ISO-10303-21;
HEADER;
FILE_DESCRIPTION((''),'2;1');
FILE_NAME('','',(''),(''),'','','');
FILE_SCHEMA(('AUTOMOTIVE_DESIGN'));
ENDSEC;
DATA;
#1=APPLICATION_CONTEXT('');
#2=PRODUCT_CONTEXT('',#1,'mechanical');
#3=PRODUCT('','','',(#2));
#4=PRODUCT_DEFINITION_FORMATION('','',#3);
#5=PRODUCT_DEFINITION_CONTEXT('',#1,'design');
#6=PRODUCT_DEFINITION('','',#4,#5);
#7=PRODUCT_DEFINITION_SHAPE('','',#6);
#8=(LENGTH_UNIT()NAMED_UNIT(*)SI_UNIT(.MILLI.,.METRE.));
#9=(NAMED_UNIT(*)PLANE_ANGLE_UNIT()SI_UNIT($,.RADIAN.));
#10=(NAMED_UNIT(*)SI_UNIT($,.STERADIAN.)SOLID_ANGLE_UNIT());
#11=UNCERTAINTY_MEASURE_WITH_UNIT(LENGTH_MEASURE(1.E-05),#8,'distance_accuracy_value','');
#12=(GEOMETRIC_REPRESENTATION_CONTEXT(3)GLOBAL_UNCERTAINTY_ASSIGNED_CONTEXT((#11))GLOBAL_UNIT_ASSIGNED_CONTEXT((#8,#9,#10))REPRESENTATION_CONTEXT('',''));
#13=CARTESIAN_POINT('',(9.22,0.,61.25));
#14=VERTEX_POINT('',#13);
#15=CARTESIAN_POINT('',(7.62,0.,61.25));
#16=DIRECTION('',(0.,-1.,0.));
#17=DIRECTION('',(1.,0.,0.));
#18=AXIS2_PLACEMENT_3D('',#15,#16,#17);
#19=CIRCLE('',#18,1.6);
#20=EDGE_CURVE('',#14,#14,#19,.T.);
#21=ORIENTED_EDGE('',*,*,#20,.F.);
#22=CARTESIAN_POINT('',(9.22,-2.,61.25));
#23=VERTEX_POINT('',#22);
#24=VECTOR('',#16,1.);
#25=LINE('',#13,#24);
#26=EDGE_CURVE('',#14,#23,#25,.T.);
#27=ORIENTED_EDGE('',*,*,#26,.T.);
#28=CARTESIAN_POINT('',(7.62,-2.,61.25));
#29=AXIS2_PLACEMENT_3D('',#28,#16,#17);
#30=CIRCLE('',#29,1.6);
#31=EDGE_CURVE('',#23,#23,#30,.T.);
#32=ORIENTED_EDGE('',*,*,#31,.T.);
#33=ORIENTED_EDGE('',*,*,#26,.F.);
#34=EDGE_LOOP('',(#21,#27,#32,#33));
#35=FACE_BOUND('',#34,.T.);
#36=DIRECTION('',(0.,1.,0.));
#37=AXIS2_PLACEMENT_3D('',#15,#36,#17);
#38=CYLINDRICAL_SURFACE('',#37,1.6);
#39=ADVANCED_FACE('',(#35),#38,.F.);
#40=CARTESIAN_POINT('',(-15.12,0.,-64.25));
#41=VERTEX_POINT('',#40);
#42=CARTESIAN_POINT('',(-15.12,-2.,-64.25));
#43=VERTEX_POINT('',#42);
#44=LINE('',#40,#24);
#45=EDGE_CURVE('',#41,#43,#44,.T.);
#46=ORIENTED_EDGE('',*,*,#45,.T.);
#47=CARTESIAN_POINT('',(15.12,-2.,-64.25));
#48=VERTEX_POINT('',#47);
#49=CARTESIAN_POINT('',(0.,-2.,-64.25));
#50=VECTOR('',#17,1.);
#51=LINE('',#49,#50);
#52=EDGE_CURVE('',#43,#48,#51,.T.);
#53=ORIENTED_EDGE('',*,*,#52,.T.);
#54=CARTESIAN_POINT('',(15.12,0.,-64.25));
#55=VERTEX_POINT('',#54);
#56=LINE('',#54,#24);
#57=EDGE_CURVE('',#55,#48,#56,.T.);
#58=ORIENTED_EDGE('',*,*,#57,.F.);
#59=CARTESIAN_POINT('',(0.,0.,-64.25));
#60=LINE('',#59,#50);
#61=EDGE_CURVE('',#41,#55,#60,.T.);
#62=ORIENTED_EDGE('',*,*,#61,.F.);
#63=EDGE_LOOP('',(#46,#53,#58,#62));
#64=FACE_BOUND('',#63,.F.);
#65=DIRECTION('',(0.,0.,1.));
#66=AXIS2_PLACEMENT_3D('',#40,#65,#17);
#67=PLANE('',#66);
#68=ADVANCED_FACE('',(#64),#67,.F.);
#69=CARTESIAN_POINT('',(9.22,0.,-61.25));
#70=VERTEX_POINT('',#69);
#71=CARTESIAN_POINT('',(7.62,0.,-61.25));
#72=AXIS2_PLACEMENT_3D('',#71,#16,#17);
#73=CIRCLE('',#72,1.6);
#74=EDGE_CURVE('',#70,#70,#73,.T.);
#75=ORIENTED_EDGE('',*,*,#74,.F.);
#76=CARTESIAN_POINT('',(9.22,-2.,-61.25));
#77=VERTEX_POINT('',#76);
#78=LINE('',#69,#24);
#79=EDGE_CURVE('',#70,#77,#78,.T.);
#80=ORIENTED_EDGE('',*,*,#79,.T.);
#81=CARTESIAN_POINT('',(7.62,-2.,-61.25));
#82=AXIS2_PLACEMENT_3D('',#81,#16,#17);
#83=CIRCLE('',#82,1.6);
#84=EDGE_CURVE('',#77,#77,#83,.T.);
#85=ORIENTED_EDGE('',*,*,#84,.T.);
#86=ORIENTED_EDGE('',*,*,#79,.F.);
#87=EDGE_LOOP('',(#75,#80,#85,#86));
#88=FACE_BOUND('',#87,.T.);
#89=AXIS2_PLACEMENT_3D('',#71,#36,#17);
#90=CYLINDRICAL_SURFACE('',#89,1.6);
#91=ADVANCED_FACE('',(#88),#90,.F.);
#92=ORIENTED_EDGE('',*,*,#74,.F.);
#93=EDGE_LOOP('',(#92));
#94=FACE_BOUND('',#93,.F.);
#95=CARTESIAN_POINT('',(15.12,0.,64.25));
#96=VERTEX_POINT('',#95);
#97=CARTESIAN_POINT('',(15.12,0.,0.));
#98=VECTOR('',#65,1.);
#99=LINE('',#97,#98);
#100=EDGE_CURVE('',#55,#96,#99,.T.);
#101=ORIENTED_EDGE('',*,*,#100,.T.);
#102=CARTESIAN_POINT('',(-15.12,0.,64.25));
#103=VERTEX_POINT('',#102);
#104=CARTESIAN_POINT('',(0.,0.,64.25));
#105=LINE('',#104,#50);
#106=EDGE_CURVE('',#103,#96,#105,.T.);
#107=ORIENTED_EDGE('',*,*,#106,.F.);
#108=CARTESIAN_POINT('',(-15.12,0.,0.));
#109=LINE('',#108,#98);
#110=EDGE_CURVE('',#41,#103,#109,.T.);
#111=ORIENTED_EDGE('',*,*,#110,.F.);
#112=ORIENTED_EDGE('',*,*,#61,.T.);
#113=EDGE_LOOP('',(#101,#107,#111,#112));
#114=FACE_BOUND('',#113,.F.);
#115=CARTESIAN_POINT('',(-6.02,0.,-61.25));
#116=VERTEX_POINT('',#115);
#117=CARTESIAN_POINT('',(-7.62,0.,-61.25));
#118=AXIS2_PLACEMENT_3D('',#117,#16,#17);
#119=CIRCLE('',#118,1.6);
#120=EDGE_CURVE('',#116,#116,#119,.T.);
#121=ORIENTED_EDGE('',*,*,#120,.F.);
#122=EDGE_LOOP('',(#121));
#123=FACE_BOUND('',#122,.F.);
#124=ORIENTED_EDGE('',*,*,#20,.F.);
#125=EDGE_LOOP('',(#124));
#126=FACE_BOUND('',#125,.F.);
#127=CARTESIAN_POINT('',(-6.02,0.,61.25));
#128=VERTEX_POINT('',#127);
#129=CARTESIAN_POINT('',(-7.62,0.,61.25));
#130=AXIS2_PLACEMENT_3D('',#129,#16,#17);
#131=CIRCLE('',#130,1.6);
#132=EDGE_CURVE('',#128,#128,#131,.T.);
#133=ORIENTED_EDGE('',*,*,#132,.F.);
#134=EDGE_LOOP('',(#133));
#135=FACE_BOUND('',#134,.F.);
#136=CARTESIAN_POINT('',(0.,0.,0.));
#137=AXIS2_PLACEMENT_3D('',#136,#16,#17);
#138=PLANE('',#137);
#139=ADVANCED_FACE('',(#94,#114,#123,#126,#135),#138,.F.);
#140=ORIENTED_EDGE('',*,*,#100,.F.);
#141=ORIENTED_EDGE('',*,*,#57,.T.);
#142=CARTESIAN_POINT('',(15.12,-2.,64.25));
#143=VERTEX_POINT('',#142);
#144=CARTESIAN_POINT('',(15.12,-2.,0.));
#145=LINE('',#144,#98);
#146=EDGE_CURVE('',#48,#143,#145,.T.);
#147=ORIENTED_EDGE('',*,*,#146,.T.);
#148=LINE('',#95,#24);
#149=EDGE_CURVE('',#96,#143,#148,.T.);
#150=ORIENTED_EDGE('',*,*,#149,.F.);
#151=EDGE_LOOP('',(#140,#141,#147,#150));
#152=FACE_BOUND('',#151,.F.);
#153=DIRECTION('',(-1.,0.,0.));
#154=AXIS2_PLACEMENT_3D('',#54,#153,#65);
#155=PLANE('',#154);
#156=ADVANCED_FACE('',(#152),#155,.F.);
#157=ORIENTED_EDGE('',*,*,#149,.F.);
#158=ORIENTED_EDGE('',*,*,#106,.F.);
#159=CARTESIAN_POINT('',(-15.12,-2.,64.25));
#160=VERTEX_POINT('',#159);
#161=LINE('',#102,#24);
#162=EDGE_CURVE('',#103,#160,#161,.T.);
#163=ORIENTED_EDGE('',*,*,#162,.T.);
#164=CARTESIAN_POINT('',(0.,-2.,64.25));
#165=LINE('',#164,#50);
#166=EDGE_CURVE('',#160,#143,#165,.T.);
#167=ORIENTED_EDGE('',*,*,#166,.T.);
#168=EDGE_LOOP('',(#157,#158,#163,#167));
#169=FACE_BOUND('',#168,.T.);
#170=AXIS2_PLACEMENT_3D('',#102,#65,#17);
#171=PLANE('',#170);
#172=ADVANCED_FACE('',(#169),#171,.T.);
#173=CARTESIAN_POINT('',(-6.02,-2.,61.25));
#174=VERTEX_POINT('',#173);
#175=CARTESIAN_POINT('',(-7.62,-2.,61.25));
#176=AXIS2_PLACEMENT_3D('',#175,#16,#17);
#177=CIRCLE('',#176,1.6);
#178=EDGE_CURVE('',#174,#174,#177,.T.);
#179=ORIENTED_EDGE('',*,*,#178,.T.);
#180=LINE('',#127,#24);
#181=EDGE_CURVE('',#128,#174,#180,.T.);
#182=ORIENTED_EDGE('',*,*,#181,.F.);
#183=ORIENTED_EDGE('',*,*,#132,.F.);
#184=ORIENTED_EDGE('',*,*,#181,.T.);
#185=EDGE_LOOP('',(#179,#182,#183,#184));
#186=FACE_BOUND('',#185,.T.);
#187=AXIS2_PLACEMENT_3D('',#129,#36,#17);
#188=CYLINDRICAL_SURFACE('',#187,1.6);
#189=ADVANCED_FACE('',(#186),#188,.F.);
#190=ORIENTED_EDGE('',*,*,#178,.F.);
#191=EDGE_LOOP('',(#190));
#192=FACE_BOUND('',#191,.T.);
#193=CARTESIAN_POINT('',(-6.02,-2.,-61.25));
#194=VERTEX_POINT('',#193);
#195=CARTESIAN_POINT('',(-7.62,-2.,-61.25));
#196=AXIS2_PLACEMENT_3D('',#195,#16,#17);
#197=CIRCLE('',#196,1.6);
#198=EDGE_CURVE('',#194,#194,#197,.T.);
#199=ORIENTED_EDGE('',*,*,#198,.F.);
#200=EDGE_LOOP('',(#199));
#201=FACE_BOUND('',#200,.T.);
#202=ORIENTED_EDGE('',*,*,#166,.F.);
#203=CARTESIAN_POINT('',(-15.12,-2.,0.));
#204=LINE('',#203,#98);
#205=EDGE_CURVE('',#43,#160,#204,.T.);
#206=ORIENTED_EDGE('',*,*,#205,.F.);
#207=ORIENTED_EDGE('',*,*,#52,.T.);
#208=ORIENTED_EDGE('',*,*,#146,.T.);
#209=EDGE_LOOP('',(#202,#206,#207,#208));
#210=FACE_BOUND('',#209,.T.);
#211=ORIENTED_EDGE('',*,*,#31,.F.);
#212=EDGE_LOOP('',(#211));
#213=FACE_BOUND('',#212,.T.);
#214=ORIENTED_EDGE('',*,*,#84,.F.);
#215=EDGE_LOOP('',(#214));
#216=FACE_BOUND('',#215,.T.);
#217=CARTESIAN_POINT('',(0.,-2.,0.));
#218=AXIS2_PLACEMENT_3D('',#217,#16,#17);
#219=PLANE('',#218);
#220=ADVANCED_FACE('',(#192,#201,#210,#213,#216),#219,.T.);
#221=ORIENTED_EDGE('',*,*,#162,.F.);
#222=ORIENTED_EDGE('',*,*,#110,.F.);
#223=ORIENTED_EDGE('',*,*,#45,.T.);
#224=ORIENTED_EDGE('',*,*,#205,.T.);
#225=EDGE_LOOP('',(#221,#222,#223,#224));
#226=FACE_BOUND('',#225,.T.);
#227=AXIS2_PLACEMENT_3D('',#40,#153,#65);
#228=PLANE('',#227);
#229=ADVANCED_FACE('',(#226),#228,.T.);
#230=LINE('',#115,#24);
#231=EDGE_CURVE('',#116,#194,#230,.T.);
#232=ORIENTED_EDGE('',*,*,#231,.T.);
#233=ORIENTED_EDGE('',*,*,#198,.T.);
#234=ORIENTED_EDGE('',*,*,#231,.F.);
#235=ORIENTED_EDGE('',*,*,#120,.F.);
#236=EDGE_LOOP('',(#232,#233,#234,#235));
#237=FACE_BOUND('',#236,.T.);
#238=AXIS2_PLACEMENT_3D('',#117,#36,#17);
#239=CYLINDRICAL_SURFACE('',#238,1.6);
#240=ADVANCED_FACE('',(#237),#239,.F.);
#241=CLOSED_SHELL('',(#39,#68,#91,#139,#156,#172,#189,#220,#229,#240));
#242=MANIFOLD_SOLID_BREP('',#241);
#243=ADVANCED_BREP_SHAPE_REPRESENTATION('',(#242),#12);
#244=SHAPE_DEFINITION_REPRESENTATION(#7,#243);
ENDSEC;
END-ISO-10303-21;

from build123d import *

# Parameters (mm, degrees)
SKETCH_W  = 30.24
SKETCH_H  = 128.5
SKETCH_R  = 1.6
PAD_DEPTH = 2


with BuildPart() as part:
    # Sketch → Pad (new body)
    with BuildSketch(Plane.XZ):
        Rectangle(SKETCH_W, SKETCH_H)
        with Locations((-7.62, 61.25)):
            Circle(SKETCH_R, mode=Mode.SUBTRACT)
        with Locations((7.62, 61.25)):
            Circle(SKETCH_R, mode=Mode.SUBTRACT)
        with Locations((7.62, -61.25)):
            Circle(SKETCH_R, mode=Mode.SUBTRACT)
        with Locations((-7.62, -61.25)):
            Circle(SKETCH_R, mode=Mode.SUBTRACT)
    extrude(amount=PAD_DEPTH)


solid = part.part
